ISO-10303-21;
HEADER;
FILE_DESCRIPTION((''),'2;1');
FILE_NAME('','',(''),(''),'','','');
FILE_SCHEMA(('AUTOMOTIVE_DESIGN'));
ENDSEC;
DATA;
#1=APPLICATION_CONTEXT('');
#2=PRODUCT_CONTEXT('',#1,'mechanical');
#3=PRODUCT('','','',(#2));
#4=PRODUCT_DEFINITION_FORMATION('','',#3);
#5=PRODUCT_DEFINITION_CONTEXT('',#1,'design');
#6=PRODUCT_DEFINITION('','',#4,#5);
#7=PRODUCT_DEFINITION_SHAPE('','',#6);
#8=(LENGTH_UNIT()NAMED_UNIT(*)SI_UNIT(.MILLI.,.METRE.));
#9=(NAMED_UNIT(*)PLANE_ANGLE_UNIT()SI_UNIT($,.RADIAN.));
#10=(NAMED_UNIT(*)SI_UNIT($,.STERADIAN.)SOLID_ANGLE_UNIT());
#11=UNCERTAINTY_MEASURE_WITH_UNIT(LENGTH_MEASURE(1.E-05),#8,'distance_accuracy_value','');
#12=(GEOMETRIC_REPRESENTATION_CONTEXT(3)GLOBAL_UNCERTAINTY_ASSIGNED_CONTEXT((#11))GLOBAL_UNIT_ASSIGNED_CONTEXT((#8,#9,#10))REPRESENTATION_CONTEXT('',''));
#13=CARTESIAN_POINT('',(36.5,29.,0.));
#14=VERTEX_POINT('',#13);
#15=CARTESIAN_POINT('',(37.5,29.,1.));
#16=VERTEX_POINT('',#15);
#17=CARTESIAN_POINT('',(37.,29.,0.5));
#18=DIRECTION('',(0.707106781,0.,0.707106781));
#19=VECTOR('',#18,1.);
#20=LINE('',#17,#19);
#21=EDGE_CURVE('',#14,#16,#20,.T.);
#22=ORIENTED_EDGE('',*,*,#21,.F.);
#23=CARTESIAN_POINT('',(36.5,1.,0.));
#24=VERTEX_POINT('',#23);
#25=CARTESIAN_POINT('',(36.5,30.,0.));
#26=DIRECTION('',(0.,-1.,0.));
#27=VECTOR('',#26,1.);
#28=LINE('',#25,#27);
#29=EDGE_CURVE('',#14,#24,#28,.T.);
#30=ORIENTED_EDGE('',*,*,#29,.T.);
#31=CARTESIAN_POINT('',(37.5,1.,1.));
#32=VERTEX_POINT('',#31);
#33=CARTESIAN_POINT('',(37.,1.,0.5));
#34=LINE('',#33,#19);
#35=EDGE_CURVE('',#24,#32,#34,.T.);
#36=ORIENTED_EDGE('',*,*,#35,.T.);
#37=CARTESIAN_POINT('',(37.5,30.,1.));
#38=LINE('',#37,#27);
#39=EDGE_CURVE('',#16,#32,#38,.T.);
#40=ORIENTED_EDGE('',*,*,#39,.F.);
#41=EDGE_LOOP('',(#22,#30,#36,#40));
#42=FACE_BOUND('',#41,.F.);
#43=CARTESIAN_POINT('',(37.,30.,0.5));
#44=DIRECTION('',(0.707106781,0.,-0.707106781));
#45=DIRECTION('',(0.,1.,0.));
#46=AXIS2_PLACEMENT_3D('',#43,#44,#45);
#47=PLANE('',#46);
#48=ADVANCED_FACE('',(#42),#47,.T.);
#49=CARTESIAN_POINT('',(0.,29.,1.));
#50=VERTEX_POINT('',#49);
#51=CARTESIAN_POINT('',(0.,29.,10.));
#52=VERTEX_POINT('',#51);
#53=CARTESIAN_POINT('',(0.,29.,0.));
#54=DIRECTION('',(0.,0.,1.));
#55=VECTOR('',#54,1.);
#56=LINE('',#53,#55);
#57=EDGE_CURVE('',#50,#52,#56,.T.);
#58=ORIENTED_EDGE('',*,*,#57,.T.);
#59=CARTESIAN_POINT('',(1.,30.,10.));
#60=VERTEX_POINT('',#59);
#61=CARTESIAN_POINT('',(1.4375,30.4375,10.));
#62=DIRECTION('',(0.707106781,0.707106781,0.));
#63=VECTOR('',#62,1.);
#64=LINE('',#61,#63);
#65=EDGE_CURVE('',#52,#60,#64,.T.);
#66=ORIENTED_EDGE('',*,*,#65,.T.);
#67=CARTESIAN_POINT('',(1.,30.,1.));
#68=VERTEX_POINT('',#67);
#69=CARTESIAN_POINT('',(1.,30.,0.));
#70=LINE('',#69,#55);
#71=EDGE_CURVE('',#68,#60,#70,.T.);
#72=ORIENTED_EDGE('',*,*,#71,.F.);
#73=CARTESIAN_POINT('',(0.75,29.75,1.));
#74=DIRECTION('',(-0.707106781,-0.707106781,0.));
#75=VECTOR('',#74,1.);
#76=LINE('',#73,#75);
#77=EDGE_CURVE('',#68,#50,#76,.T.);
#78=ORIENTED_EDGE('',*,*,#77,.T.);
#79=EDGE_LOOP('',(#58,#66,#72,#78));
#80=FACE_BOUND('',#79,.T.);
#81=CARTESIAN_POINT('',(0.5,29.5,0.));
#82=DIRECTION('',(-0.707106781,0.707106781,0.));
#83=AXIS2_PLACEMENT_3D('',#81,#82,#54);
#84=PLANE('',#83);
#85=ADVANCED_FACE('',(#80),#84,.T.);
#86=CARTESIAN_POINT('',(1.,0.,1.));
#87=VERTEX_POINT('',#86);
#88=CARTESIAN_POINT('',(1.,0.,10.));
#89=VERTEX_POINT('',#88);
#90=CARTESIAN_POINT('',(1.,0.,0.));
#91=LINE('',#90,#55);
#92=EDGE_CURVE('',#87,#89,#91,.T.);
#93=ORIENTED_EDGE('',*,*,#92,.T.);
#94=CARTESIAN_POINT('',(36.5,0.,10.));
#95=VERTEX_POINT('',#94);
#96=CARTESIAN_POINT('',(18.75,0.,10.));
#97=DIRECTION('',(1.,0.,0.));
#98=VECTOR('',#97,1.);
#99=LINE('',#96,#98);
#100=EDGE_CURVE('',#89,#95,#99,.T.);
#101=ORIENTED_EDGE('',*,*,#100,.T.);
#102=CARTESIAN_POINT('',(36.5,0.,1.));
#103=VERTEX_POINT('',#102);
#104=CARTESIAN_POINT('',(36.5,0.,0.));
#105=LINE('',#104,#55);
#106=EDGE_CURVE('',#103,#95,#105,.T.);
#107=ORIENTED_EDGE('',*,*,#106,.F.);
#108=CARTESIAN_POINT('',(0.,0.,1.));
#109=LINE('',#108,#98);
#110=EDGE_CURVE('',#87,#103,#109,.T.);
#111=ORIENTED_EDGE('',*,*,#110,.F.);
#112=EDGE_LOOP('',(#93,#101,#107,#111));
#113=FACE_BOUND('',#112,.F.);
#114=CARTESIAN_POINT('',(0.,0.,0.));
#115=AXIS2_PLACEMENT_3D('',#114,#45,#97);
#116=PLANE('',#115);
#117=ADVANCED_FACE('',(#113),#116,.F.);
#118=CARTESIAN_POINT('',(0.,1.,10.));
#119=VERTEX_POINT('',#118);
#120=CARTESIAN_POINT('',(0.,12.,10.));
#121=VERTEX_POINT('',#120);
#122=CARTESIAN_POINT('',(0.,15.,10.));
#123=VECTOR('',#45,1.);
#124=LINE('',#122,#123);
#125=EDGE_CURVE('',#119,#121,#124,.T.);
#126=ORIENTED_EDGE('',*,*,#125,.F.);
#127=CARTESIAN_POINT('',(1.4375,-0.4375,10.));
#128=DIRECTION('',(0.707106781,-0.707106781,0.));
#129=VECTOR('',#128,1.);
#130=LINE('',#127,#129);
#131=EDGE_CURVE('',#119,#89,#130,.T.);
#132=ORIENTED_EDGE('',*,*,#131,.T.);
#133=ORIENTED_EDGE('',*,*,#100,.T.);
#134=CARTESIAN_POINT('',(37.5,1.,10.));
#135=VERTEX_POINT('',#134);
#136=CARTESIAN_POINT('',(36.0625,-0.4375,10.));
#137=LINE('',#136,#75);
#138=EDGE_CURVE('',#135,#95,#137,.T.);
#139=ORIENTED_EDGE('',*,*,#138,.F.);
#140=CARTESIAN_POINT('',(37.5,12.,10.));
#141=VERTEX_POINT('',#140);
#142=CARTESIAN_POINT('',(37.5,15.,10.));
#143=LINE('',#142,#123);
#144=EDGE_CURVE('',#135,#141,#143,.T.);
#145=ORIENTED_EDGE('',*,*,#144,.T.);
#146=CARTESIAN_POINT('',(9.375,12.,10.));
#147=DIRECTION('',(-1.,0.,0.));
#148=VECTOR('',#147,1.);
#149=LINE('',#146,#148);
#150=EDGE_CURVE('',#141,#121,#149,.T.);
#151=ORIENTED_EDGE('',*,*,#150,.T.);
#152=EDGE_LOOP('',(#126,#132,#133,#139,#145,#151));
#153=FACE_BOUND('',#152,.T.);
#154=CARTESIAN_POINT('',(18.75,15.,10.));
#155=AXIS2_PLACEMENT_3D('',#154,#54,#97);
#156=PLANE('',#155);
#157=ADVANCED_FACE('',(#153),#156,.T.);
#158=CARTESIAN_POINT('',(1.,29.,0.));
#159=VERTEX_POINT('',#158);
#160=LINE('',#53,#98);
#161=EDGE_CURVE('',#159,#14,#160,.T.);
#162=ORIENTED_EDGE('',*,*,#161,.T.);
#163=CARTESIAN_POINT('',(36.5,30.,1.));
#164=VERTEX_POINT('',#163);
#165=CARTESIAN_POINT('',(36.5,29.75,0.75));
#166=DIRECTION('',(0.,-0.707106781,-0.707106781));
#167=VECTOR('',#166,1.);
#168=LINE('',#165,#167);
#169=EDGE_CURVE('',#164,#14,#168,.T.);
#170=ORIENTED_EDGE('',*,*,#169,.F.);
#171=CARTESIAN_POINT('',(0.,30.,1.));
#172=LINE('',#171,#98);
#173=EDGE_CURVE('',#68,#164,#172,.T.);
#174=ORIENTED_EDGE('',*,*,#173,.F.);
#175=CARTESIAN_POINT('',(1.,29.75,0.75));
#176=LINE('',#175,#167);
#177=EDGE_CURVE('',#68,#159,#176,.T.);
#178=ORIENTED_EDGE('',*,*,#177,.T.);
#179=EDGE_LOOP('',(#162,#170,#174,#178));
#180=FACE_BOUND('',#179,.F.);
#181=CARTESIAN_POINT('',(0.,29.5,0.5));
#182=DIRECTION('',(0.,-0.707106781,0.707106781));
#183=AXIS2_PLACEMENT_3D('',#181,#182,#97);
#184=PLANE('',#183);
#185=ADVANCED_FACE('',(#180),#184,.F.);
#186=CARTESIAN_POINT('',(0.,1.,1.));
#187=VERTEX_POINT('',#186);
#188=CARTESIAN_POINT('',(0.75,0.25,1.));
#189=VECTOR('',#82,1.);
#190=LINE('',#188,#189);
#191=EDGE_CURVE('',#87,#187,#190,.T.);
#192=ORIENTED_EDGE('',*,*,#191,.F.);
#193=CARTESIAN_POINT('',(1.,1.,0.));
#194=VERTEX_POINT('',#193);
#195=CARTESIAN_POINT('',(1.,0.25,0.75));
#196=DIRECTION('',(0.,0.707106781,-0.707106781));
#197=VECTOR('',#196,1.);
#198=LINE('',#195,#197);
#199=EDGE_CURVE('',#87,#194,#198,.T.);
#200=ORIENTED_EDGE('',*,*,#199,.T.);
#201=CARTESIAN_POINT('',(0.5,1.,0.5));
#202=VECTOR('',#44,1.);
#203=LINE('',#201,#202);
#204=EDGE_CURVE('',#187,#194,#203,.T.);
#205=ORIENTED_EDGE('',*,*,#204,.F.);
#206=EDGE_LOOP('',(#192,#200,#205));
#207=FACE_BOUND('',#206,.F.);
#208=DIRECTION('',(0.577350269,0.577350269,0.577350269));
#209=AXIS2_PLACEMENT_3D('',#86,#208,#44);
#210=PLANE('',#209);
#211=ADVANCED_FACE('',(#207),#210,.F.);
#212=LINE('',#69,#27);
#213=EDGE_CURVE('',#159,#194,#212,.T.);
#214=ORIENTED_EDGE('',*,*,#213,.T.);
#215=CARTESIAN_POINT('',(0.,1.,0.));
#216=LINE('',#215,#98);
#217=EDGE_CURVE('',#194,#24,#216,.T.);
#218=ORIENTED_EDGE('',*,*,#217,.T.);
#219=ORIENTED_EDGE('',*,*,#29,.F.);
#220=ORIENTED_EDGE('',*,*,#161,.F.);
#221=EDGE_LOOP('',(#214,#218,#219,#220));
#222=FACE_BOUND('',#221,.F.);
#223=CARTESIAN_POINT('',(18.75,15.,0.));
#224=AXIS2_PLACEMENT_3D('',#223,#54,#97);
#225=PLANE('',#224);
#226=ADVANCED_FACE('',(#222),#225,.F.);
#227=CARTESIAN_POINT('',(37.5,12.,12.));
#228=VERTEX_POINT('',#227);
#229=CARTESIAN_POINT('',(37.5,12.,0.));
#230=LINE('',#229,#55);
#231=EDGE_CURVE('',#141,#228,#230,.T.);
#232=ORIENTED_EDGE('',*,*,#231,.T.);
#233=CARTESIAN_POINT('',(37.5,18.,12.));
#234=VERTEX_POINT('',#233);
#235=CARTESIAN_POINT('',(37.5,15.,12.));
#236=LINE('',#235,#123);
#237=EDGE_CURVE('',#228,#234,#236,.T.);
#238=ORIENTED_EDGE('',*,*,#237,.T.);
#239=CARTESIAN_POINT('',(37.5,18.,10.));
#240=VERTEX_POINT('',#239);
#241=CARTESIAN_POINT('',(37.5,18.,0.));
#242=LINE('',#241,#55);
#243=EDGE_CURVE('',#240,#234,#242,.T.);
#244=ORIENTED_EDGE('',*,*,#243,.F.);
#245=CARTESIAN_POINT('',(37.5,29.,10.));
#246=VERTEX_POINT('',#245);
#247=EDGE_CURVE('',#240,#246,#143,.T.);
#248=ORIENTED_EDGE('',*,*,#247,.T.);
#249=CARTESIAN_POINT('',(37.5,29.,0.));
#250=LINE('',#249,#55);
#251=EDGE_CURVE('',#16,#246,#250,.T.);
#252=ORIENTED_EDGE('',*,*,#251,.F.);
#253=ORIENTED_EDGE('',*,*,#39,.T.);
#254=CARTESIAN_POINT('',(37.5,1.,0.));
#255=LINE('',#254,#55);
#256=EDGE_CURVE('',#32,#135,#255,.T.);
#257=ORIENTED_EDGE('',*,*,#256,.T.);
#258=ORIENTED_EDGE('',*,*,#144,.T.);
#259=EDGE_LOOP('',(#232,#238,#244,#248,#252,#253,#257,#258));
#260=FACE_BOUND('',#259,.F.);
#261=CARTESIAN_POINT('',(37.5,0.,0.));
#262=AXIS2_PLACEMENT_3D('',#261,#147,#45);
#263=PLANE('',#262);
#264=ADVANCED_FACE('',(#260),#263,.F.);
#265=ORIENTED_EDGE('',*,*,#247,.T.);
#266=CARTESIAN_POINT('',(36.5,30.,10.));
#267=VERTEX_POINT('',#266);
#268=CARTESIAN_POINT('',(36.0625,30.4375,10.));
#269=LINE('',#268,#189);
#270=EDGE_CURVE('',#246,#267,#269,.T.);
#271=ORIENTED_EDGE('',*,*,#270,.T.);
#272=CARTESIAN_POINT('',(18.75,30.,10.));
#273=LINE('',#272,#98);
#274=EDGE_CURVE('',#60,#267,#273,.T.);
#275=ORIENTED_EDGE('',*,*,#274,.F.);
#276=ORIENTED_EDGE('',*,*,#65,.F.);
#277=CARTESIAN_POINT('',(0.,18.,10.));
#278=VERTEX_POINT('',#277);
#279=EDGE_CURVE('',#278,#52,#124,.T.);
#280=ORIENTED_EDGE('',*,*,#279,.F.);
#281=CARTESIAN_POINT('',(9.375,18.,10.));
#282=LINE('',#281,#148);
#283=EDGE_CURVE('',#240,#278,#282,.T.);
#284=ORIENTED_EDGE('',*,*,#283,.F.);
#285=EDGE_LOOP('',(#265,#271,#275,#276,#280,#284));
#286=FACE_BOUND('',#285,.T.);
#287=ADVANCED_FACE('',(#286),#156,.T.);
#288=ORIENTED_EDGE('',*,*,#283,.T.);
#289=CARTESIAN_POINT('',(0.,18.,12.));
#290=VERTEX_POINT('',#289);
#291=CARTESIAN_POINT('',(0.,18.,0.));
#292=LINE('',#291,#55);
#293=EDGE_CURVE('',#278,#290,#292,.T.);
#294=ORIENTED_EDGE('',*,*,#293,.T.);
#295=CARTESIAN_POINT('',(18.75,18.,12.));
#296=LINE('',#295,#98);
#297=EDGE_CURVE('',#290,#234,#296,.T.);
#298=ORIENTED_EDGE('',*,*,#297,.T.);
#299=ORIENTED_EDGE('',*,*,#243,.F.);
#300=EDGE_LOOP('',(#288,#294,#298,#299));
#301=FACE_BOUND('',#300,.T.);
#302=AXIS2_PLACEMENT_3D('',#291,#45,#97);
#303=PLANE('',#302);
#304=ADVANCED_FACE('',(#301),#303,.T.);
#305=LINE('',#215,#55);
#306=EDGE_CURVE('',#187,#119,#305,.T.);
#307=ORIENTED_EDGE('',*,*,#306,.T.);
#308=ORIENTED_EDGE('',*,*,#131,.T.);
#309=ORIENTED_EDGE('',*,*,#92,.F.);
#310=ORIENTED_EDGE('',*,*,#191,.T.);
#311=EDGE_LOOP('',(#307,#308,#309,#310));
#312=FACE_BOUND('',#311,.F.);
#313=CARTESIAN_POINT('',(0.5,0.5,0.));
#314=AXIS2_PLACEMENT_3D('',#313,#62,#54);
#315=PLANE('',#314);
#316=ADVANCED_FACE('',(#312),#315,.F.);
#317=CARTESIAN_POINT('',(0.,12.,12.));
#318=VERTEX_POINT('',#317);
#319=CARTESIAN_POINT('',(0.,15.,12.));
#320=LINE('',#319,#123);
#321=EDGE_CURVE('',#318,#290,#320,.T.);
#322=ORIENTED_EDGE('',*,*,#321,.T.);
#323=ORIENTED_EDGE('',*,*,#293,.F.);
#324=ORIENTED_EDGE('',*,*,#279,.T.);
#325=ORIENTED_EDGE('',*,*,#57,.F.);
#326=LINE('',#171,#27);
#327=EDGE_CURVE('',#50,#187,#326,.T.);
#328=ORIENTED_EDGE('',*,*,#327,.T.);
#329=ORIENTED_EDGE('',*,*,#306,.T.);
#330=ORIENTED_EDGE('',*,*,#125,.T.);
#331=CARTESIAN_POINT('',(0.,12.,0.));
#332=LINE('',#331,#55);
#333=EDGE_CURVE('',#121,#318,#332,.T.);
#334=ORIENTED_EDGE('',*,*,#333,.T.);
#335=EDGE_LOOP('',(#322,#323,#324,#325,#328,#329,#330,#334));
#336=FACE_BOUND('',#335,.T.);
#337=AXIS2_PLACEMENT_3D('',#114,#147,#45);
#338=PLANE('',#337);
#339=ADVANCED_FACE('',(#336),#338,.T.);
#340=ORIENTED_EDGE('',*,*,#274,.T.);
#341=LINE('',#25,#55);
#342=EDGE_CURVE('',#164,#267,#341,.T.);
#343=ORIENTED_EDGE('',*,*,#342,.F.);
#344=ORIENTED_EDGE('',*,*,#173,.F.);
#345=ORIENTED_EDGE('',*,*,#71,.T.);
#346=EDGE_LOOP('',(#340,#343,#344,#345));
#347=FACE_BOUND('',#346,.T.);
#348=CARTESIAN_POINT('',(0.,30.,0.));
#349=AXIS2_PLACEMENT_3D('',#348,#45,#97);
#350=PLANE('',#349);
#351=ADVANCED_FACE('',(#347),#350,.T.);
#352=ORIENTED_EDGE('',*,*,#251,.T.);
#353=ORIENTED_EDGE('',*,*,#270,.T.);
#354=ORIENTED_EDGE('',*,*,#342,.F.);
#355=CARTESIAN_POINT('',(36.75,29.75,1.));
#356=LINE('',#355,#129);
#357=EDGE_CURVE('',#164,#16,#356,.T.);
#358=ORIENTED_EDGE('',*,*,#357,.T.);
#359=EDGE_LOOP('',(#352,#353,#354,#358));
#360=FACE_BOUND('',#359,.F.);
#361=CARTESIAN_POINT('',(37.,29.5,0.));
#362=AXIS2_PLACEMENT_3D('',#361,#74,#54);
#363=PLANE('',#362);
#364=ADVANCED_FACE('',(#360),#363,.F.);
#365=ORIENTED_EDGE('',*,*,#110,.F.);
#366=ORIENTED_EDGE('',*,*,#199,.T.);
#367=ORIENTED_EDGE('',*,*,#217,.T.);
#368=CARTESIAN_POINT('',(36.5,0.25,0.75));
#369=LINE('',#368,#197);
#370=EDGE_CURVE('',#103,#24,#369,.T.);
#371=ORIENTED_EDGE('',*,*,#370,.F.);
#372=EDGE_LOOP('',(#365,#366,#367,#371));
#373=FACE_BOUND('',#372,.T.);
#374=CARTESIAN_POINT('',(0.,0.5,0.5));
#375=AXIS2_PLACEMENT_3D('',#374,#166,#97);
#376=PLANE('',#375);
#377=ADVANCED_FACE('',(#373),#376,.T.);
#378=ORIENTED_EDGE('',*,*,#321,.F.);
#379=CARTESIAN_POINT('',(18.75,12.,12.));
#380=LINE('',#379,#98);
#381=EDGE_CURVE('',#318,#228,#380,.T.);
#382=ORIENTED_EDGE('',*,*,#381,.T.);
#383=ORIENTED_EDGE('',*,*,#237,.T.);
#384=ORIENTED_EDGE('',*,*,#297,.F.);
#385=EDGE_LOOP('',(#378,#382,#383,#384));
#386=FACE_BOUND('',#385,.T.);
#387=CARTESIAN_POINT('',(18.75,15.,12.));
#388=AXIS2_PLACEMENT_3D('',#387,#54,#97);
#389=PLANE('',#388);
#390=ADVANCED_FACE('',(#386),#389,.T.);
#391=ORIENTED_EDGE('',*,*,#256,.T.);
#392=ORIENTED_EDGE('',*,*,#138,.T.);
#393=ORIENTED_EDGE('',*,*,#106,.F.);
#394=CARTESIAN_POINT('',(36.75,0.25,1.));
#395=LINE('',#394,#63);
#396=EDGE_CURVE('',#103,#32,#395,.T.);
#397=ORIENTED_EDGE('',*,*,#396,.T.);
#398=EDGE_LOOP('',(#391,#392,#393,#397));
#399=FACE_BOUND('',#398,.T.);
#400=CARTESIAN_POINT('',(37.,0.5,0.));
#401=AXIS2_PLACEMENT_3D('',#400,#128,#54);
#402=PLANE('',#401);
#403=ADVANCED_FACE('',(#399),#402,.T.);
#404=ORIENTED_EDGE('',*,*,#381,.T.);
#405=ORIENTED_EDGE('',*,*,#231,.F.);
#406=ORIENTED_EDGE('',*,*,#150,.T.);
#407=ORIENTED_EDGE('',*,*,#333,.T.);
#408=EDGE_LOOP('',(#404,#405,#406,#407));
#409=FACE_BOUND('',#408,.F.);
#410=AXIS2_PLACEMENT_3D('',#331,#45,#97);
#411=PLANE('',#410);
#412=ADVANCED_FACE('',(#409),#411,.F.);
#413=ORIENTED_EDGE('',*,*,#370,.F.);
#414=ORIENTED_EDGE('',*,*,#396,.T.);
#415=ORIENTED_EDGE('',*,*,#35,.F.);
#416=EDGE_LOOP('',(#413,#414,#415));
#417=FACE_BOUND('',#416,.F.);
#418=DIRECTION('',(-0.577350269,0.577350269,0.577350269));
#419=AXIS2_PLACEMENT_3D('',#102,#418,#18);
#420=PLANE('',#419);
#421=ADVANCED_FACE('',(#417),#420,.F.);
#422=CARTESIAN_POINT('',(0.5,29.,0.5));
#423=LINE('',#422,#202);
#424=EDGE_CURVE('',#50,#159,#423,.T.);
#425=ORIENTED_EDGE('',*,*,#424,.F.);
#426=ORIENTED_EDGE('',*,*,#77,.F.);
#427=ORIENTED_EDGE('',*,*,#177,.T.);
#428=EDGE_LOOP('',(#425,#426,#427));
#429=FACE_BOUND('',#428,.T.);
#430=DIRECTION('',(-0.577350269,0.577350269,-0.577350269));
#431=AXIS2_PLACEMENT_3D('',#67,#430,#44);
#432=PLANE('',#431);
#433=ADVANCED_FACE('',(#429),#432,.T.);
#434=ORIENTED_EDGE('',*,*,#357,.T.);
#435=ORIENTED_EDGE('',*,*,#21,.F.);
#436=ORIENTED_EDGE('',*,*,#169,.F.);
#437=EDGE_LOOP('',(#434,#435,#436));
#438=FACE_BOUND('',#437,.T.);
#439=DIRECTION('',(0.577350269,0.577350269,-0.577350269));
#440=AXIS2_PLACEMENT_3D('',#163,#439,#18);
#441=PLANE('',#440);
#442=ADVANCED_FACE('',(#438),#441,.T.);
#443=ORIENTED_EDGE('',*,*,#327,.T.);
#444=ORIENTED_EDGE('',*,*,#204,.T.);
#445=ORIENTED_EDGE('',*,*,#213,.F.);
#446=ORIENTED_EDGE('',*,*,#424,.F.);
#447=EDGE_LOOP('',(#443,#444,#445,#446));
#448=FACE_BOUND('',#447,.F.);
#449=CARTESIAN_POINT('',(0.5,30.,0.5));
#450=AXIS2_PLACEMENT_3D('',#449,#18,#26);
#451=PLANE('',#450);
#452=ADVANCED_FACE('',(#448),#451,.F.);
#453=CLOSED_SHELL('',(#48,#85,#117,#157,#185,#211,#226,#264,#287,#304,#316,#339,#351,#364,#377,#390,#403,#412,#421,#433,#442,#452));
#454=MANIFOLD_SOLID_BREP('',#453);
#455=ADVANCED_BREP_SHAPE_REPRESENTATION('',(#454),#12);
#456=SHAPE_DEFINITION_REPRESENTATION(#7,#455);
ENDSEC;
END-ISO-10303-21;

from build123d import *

# Parameters (mm, degrees)
BOX008_W        = 37.5
BOX008_H        = 6
BOX008_DEPTH    = 12
BOX009_W        = 37.5
BOX009_H        = 30
BOX009_DEPTH    = 10
CHAMFER004_SIZE = 1


with BuildPart() as cube008:
    # Box008 → Box008 (new body)
    with BuildSketch(Plane(origin=(0, 12, 0), x_dir=(1, 0, 0), z_dir=(0, 0, 1))):
        with Locations((18.75, 3)):
            Rectangle(BOX008_W, BOX008_H)
    extrude(amount=BOX008_DEPTH)


with BuildPart() as f_375_spacer:
    # Box009 → Box009 (new body)
    with BuildSketch(Plane.XY):
        with Locations((18.75, 15)):
            Rectangle(BOX009_W, BOX009_H)
    extrude(amount=BOX009_DEPTH)

    # Fusion002003: union Cube008
    add(cube008.part)

    # Chamfer004
    chamfer004_edges = [f_375_spacer.edges().sort_by_distance(p)[0] for p in [
        (0, 6, 0),
        (0, 0, 5),
        (0, 15, 0),
        (37.5, 6, 0),
        (18.75, 0, 0),
        (37.5, 0, 5),
        (0, 30, 5),
        (0, 24, 0),
        (37.5, 15, 0),
        (18.75, 30, 0),
        (37.5, 30, 5),
        (37.5, 24, 0),
    ]]
    chamfer(chamfer004_edges, length=CHAMFER004_SIZE)


solid = f_375_spacer.part
